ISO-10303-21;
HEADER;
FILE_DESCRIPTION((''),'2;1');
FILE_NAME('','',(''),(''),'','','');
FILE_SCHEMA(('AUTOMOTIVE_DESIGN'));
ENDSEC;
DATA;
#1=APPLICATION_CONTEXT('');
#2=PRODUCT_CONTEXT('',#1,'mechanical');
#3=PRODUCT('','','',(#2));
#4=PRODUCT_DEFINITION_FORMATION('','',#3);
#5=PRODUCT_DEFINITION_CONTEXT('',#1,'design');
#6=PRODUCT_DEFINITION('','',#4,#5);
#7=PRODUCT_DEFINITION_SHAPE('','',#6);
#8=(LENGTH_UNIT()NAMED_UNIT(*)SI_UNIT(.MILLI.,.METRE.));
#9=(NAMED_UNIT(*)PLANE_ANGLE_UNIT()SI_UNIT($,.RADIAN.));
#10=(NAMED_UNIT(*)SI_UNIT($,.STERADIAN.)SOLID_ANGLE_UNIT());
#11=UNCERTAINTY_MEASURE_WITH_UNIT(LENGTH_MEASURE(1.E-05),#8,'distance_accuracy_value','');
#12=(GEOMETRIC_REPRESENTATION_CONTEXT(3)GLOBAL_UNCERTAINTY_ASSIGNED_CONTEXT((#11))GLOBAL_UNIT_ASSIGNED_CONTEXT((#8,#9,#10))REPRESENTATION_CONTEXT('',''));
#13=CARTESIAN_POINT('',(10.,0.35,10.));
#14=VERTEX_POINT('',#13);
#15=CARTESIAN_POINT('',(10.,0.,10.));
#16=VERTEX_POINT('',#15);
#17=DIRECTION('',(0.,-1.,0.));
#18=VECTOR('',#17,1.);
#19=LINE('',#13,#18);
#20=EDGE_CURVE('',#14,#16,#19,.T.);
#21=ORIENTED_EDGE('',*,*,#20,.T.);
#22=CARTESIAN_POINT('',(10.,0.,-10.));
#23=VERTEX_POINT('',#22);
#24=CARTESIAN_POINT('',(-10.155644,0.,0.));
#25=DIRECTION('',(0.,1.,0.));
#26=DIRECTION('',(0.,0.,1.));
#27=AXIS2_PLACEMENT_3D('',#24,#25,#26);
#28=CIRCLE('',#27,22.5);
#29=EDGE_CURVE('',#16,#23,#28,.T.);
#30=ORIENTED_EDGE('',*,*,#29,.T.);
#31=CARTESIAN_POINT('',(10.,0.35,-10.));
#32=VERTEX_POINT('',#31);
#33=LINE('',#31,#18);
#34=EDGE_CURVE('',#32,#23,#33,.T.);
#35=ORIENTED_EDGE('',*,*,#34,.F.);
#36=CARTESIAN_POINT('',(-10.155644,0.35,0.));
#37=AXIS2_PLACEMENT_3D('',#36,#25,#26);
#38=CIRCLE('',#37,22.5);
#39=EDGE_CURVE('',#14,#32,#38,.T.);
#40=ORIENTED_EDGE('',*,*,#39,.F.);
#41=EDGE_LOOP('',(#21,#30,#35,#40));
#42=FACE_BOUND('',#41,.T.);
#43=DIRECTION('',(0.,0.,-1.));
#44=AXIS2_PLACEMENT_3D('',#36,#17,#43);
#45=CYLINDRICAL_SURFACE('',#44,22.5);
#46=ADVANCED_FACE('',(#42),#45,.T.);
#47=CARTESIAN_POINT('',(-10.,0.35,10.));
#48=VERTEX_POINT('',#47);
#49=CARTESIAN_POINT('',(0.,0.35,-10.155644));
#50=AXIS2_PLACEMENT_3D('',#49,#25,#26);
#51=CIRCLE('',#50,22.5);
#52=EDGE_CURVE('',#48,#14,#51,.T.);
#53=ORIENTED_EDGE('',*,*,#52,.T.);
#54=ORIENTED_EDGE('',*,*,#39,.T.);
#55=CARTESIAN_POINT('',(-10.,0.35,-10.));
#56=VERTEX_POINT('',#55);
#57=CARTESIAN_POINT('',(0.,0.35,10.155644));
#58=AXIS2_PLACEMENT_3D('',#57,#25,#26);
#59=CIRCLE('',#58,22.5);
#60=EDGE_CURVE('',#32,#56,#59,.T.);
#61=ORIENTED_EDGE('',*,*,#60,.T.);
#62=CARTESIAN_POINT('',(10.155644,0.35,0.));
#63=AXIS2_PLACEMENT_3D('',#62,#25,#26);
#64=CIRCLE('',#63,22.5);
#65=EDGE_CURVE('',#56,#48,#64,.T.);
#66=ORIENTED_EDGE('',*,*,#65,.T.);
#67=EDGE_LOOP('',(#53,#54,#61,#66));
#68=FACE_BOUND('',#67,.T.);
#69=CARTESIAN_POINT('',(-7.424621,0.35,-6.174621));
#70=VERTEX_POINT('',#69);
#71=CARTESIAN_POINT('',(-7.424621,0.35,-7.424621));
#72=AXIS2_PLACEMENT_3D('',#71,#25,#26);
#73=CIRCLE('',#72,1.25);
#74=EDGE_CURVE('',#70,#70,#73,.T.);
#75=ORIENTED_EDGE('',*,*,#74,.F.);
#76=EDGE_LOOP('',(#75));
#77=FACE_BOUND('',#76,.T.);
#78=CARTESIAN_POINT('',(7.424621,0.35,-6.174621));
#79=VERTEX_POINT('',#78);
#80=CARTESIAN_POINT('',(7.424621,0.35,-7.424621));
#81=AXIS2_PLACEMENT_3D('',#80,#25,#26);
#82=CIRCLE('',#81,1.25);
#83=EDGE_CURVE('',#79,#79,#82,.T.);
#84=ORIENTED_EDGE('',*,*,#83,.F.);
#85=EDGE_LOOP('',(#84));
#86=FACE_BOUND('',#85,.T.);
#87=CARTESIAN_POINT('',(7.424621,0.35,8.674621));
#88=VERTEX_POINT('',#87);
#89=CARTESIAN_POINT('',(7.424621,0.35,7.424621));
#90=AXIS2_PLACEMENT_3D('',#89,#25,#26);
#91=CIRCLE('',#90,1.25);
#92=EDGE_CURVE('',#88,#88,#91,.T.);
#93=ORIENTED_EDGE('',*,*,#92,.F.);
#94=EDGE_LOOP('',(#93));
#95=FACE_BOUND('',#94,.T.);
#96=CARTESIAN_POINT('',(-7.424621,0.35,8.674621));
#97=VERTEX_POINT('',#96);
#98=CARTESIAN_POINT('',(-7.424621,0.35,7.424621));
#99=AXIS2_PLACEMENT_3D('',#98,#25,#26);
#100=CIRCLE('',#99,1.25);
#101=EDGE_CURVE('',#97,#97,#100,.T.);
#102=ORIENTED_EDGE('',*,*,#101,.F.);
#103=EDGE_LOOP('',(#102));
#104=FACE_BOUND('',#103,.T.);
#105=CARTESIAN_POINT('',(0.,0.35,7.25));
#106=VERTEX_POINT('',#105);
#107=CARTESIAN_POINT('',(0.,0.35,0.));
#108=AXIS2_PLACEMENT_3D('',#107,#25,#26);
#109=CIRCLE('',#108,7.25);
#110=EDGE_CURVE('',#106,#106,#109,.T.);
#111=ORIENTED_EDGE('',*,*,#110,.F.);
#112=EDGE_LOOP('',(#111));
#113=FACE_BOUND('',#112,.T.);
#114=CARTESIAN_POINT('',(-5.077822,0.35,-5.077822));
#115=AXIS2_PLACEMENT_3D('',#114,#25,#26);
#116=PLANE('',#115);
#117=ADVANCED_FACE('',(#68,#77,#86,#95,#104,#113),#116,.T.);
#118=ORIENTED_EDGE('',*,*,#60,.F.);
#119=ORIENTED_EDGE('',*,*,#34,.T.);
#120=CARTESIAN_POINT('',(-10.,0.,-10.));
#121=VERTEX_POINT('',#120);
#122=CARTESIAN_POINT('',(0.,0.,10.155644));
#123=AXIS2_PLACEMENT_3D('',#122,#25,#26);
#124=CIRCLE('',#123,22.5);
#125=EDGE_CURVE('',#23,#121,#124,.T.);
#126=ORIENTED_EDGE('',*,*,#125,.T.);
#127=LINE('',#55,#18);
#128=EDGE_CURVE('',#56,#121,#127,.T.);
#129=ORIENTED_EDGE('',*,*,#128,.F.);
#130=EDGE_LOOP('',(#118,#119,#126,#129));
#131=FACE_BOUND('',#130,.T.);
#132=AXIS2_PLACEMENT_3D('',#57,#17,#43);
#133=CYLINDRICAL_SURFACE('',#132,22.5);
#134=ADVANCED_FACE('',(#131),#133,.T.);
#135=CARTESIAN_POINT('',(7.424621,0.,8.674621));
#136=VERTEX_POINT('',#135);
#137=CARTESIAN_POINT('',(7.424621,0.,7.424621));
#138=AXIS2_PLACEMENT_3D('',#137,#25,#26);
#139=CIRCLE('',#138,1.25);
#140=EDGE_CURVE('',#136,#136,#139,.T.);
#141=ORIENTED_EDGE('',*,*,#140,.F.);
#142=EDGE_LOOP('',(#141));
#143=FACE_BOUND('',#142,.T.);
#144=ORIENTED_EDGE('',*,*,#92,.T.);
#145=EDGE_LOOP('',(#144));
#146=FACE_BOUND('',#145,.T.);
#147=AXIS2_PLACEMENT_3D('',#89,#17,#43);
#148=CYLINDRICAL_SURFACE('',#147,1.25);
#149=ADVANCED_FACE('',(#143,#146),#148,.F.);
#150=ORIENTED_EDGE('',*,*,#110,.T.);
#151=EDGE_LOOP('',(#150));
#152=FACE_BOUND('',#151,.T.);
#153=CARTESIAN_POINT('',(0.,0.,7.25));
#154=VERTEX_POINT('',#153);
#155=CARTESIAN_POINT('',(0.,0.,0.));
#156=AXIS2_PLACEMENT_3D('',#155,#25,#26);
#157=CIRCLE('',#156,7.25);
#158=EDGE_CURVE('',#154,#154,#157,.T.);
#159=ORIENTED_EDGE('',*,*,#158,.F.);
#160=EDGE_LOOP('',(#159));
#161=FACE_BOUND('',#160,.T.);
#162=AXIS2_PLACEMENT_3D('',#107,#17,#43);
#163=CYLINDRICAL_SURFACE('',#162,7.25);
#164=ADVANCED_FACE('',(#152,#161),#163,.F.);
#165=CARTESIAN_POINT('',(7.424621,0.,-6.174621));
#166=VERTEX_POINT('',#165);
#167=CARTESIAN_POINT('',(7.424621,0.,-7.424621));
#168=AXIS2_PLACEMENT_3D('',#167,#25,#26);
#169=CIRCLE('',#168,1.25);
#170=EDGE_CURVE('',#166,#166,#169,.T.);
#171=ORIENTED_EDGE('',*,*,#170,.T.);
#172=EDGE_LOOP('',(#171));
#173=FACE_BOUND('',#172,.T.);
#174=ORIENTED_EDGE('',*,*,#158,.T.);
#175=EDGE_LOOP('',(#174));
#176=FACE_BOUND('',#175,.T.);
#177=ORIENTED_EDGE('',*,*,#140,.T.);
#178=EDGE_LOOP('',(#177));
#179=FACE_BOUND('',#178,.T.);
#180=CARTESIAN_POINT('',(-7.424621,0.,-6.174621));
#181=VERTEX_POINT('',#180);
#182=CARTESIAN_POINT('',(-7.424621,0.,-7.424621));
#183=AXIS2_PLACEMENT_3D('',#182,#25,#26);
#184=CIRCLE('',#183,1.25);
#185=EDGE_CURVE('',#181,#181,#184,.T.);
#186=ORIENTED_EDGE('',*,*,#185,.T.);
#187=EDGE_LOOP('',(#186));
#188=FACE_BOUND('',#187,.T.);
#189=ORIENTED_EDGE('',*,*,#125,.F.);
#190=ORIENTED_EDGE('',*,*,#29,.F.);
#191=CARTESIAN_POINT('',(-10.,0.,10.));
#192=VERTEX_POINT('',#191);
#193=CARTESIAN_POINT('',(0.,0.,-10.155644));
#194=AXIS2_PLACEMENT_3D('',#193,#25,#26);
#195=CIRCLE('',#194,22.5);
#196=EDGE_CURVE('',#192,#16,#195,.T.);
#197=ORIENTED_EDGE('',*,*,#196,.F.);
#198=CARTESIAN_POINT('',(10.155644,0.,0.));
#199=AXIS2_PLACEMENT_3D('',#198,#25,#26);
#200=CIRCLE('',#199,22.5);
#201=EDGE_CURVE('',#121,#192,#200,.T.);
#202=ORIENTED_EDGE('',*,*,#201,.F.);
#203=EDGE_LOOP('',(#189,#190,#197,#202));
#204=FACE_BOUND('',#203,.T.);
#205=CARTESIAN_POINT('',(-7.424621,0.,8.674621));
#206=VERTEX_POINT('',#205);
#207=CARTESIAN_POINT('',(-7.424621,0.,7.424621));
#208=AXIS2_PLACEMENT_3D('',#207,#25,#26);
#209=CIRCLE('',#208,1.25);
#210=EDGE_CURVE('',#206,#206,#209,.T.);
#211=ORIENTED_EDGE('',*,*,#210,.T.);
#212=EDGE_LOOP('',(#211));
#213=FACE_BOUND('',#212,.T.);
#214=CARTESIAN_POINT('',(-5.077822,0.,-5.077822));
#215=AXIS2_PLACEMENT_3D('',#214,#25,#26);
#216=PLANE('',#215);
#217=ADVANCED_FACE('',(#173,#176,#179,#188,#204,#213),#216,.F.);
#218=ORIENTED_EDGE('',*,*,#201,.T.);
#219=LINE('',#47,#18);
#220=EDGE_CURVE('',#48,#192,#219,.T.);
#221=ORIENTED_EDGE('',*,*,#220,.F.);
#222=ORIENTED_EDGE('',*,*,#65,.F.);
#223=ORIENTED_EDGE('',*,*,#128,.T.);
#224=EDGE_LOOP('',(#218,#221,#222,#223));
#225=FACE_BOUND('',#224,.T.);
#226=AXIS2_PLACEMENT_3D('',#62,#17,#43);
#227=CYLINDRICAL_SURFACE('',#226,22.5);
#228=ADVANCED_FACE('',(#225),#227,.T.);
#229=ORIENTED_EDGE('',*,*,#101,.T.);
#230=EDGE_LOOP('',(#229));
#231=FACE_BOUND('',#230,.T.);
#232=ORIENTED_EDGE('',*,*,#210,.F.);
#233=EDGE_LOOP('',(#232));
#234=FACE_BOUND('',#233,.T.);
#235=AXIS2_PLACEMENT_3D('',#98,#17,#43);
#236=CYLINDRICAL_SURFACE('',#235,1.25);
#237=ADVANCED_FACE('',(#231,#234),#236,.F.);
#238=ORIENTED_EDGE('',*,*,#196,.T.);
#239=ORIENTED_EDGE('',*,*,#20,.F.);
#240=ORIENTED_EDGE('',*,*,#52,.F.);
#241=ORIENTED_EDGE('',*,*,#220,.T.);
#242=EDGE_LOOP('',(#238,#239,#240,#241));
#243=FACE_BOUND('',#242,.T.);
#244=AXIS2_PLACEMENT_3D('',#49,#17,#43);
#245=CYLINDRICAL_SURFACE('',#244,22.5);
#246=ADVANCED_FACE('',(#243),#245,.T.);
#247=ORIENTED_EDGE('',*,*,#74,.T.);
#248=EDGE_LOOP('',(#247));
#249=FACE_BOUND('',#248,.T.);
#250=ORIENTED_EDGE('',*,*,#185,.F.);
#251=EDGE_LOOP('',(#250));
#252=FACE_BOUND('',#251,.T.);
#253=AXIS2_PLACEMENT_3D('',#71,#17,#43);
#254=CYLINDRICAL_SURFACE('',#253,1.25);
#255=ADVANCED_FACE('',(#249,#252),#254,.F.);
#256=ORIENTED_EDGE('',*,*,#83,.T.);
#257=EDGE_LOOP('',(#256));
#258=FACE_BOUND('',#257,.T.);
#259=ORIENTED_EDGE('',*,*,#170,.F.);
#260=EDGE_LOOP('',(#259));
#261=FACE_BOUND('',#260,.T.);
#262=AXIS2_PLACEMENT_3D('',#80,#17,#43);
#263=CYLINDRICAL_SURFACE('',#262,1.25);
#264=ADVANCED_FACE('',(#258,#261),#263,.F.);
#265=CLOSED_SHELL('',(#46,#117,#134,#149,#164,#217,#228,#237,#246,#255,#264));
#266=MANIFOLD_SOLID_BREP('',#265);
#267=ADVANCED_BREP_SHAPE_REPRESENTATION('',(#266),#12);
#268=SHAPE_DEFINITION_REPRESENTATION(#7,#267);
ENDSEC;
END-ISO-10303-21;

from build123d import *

# Parameters (mm, degrees)
SKETCH1_R           = 7.25
SKETCH1_R_2         = 1.25
BOSS_EXTRUDE1_DEPTH = 0.35


with BuildPart() as part:
    # Sketch1 → Boss-Extrude1 (new body)
    with BuildSketch(Plane(origin=(0, 0, 0), x_dir=(1, 0, 0), z_dir=(0, 1, 0))):
        with BuildLine():
            ThreePointArc((10, -10), (12.344355629, 0), (10, 10))
            ThreePointArc((10, 10), (0, 12.344355629), (-10, 10))
            ThreePointArc((-10, 10), (-12.344355629, 0), (-10, -10))
            ThreePointArc((-10, -10), (0, -12.344355629), (10, -10))
        make_face()
        Circle(SKETCH1_R, mode=Mode.SUBTRACT)
        with Locations((7.424621202, 7.424621202)):
            Circle(SKETCH1_R_2, mode=Mode.SUBTRACT)
        with Locations((7.424621202, -7.424621202)):
            Circle(SKETCH1_R_2, mode=Mode.SUBTRACT)
        with Locations((-7.424621202, -7.424621202)):
            Circle(SKETCH1_R_2, mode=Mode.SUBTRACT)
        with Locations((-7.424621202, 7.424621202)):
            Circle(SKETCH1_R_2, mode=Mode.SUBTRACT)
    extrude(amount=BOSS_EXTRUDE1_DEPTH)


solid = part.part
